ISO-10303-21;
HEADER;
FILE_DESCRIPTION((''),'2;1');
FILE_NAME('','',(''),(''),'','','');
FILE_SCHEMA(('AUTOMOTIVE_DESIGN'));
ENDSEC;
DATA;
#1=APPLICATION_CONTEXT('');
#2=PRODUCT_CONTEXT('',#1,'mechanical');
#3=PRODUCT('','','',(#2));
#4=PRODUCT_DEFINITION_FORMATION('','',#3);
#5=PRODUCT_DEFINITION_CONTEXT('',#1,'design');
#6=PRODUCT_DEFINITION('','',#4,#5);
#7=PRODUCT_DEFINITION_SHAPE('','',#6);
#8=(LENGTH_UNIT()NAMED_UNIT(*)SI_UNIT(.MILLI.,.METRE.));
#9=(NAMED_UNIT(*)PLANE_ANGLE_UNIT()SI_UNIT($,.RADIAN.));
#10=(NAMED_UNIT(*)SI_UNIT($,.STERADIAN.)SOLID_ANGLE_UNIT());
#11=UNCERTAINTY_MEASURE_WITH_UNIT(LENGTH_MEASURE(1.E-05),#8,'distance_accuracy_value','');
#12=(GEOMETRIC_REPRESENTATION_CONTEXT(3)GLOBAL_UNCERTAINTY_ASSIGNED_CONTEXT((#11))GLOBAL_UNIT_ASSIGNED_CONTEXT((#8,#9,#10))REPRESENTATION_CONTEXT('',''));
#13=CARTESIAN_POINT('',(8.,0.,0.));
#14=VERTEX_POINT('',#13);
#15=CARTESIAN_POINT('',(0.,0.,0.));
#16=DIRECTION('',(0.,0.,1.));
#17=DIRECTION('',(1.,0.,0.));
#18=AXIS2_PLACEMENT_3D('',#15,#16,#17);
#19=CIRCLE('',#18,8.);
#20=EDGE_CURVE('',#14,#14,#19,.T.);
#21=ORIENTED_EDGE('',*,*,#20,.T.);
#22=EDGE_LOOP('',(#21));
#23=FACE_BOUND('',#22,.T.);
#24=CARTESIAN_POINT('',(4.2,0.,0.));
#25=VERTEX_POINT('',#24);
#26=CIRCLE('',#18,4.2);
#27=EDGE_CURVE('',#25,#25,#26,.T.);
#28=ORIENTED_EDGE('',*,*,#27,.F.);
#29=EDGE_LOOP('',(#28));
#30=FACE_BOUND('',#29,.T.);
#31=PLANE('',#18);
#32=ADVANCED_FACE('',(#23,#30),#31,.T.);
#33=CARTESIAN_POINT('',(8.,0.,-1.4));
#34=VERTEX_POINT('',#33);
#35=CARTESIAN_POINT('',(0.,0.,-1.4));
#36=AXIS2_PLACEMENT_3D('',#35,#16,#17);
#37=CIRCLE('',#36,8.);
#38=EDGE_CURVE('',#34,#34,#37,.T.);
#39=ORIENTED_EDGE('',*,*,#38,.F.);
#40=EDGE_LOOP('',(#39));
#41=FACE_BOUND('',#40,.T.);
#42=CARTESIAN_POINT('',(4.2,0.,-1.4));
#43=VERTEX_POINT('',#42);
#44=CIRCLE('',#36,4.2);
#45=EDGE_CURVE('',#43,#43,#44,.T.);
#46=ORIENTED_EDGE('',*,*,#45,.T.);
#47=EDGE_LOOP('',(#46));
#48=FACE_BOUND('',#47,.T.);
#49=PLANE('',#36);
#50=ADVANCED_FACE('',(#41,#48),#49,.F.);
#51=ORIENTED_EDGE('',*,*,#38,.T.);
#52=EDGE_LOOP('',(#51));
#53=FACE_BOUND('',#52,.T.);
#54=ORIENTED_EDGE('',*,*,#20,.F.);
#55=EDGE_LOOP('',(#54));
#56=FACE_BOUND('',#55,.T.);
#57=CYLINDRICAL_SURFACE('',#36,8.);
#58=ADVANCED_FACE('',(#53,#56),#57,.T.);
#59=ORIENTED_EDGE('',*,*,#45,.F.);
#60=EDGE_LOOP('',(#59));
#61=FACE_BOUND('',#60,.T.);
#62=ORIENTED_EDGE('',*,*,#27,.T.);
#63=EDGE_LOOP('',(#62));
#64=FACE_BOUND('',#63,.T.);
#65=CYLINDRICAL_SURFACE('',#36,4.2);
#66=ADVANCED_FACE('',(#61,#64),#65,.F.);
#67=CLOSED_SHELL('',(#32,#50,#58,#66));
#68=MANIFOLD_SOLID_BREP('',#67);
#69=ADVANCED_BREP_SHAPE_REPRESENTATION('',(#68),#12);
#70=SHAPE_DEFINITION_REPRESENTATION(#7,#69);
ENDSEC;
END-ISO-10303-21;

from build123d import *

# Parameters (mm, degrees)
SKETCH1_R      = 8
SKETCH1_R_2    = 4.2
EXTRUDE1_DEPTH = 1.4


with BuildPart() as part:
    # Sketch1 → Extrude1 (new body)
    with BuildSketch(Plane.XY):
        Circle(SKETCH1_R)
        Circle(SKETCH1_R_2, mode=Mode.SUBTRACT)
    extrude(amount=-EXTRUDE1_DEPTH)


solid = part.part
